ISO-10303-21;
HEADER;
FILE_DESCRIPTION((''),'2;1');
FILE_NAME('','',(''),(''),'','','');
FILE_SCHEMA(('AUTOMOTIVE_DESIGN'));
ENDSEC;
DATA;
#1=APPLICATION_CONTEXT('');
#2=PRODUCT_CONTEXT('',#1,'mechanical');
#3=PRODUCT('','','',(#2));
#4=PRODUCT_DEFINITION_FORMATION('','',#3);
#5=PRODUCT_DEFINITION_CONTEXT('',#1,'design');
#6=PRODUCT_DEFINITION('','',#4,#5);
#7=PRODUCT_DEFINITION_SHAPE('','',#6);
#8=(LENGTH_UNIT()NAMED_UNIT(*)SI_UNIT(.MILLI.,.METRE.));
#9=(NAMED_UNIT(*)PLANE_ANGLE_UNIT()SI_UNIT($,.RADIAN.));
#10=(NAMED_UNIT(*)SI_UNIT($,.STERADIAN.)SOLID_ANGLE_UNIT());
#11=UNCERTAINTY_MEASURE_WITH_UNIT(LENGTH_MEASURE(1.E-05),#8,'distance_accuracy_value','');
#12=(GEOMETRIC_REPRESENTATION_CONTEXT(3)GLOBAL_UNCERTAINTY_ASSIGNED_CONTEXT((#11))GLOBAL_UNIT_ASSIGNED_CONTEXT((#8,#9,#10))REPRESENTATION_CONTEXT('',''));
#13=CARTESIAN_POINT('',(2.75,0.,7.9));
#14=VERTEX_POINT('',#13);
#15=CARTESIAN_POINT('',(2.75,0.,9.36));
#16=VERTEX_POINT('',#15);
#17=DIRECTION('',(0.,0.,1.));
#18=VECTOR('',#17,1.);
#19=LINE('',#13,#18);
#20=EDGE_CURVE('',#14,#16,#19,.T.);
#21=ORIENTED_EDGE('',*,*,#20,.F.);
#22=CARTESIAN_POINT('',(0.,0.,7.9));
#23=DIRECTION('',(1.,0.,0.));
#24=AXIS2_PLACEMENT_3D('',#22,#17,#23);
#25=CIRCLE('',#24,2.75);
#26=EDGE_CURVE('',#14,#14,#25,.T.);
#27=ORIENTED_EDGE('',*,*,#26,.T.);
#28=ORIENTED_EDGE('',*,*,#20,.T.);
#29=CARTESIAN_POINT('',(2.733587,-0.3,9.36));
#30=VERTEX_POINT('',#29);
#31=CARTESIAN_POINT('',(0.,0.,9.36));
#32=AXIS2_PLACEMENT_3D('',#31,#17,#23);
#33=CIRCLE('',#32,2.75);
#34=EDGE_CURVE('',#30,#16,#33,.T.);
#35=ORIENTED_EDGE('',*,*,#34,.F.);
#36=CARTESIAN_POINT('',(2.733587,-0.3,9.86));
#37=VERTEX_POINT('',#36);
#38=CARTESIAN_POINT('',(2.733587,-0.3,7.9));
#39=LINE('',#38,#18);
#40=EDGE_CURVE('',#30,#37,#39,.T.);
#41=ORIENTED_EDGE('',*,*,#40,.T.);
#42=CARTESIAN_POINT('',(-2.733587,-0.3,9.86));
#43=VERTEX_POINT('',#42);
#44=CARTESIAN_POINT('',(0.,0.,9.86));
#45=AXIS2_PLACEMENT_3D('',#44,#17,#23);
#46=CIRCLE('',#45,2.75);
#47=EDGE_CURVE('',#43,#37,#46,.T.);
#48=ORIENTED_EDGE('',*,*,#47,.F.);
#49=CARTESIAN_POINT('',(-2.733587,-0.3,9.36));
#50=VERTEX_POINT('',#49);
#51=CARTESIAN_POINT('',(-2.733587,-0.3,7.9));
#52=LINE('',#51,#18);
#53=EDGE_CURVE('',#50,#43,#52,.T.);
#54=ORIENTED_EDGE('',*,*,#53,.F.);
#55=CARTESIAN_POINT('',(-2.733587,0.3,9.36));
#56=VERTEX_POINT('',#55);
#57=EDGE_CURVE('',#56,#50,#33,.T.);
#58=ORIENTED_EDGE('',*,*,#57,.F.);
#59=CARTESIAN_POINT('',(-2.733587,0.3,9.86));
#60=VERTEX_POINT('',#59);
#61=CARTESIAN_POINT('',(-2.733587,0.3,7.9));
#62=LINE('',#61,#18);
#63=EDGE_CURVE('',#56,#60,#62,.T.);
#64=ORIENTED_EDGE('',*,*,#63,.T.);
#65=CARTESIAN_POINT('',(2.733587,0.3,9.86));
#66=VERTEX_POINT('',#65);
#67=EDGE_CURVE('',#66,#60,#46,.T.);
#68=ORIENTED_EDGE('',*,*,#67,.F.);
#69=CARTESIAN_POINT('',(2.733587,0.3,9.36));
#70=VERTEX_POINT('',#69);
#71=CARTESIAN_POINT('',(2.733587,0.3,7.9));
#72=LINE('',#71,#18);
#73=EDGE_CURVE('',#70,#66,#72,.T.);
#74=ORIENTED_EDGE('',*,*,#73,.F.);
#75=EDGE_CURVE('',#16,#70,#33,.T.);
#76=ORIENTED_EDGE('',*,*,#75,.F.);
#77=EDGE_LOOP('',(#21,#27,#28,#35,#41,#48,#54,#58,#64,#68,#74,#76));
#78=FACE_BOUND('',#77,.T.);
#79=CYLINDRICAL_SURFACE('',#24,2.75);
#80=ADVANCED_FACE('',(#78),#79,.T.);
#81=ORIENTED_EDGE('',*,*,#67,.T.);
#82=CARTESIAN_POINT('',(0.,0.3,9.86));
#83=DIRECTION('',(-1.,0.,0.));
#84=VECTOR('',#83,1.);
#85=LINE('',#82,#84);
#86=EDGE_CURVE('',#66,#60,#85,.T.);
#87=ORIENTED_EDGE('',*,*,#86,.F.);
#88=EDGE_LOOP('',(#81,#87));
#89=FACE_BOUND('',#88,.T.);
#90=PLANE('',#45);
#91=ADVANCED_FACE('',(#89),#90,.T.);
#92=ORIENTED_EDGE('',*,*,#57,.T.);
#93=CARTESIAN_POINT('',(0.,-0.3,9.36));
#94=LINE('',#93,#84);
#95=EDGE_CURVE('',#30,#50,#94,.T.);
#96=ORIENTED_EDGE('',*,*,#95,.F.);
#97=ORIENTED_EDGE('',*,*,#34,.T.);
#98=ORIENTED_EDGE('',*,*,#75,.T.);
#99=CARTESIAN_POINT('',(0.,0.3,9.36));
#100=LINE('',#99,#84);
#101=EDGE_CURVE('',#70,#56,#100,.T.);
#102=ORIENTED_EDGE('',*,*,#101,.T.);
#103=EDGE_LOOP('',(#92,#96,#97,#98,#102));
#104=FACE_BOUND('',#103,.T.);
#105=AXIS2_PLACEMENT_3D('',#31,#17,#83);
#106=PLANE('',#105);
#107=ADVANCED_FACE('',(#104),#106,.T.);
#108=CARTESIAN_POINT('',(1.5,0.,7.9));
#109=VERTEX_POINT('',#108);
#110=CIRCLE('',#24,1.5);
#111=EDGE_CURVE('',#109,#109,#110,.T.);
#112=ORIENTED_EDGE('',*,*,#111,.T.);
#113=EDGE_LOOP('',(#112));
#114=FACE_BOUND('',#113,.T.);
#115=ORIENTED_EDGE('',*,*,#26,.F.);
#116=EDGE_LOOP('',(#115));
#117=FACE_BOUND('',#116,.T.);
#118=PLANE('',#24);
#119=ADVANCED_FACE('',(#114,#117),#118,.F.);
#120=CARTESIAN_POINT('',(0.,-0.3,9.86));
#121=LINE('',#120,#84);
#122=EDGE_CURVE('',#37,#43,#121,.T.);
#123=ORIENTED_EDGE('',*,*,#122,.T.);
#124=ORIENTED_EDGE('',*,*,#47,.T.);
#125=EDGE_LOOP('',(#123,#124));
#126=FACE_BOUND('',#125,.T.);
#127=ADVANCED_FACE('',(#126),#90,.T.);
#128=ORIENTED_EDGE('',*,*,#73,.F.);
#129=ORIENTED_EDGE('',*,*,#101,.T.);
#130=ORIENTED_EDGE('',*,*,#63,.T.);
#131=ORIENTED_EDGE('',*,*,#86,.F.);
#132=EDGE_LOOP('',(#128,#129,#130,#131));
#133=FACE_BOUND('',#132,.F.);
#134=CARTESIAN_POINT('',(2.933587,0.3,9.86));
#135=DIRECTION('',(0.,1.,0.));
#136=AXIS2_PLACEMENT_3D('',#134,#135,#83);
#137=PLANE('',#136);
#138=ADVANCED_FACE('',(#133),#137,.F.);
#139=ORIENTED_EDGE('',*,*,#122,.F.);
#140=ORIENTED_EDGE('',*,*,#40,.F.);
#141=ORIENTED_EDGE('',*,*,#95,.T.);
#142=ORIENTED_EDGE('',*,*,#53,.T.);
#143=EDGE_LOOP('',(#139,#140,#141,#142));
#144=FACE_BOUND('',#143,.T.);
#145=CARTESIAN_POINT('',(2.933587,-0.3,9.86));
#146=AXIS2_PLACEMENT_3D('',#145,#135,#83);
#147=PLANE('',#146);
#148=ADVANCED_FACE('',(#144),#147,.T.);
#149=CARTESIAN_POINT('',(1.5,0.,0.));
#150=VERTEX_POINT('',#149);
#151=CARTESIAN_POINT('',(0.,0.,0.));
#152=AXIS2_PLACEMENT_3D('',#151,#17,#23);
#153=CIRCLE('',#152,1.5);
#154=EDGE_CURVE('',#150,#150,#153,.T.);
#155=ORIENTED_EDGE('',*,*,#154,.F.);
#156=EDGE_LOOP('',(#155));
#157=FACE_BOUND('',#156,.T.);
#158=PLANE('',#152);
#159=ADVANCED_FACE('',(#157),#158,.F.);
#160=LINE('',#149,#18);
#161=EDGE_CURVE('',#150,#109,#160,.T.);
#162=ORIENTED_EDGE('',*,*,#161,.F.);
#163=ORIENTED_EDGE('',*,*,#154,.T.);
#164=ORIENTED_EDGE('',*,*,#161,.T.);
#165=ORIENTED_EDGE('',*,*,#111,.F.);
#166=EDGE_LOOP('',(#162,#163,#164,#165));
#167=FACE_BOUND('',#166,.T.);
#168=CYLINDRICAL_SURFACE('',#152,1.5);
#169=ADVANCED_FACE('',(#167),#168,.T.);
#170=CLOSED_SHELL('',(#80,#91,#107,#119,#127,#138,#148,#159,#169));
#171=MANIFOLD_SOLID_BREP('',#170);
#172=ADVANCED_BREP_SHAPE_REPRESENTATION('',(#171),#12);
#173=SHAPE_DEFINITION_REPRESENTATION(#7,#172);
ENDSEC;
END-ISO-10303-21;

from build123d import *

# Parameters (mm, degrees)
SKETCH_W     = 5.867174
SKETCH_H     = 0.6
POCKET_DEPTH = 0.5


with BuildPart() as part:
    # Sketch001 → Revolution (revolve)
    with BuildSketch(Plane.XZ):
        Polygon((0, 0), (1.5, 0), (1.5, 7.9), (2.75, 7.9), (2.75, 9.86), (0, 9.86), align=None)
    revolve(axis=Axis((0, 0, 0), (0, 0, 1)))

    # Sketch → Pocket (cut)
    with BuildSketch(Plane(origin=(0, 0, 9.86), x_dir=(-1, 0, 0), z_dir=(0, 0, 1))):
        Rectangle(SKETCH_W, SKETCH_H)
    extrude(amount=-POCKET_DEPTH, mode=Mode.SUBTRACT)


solid = part.part
